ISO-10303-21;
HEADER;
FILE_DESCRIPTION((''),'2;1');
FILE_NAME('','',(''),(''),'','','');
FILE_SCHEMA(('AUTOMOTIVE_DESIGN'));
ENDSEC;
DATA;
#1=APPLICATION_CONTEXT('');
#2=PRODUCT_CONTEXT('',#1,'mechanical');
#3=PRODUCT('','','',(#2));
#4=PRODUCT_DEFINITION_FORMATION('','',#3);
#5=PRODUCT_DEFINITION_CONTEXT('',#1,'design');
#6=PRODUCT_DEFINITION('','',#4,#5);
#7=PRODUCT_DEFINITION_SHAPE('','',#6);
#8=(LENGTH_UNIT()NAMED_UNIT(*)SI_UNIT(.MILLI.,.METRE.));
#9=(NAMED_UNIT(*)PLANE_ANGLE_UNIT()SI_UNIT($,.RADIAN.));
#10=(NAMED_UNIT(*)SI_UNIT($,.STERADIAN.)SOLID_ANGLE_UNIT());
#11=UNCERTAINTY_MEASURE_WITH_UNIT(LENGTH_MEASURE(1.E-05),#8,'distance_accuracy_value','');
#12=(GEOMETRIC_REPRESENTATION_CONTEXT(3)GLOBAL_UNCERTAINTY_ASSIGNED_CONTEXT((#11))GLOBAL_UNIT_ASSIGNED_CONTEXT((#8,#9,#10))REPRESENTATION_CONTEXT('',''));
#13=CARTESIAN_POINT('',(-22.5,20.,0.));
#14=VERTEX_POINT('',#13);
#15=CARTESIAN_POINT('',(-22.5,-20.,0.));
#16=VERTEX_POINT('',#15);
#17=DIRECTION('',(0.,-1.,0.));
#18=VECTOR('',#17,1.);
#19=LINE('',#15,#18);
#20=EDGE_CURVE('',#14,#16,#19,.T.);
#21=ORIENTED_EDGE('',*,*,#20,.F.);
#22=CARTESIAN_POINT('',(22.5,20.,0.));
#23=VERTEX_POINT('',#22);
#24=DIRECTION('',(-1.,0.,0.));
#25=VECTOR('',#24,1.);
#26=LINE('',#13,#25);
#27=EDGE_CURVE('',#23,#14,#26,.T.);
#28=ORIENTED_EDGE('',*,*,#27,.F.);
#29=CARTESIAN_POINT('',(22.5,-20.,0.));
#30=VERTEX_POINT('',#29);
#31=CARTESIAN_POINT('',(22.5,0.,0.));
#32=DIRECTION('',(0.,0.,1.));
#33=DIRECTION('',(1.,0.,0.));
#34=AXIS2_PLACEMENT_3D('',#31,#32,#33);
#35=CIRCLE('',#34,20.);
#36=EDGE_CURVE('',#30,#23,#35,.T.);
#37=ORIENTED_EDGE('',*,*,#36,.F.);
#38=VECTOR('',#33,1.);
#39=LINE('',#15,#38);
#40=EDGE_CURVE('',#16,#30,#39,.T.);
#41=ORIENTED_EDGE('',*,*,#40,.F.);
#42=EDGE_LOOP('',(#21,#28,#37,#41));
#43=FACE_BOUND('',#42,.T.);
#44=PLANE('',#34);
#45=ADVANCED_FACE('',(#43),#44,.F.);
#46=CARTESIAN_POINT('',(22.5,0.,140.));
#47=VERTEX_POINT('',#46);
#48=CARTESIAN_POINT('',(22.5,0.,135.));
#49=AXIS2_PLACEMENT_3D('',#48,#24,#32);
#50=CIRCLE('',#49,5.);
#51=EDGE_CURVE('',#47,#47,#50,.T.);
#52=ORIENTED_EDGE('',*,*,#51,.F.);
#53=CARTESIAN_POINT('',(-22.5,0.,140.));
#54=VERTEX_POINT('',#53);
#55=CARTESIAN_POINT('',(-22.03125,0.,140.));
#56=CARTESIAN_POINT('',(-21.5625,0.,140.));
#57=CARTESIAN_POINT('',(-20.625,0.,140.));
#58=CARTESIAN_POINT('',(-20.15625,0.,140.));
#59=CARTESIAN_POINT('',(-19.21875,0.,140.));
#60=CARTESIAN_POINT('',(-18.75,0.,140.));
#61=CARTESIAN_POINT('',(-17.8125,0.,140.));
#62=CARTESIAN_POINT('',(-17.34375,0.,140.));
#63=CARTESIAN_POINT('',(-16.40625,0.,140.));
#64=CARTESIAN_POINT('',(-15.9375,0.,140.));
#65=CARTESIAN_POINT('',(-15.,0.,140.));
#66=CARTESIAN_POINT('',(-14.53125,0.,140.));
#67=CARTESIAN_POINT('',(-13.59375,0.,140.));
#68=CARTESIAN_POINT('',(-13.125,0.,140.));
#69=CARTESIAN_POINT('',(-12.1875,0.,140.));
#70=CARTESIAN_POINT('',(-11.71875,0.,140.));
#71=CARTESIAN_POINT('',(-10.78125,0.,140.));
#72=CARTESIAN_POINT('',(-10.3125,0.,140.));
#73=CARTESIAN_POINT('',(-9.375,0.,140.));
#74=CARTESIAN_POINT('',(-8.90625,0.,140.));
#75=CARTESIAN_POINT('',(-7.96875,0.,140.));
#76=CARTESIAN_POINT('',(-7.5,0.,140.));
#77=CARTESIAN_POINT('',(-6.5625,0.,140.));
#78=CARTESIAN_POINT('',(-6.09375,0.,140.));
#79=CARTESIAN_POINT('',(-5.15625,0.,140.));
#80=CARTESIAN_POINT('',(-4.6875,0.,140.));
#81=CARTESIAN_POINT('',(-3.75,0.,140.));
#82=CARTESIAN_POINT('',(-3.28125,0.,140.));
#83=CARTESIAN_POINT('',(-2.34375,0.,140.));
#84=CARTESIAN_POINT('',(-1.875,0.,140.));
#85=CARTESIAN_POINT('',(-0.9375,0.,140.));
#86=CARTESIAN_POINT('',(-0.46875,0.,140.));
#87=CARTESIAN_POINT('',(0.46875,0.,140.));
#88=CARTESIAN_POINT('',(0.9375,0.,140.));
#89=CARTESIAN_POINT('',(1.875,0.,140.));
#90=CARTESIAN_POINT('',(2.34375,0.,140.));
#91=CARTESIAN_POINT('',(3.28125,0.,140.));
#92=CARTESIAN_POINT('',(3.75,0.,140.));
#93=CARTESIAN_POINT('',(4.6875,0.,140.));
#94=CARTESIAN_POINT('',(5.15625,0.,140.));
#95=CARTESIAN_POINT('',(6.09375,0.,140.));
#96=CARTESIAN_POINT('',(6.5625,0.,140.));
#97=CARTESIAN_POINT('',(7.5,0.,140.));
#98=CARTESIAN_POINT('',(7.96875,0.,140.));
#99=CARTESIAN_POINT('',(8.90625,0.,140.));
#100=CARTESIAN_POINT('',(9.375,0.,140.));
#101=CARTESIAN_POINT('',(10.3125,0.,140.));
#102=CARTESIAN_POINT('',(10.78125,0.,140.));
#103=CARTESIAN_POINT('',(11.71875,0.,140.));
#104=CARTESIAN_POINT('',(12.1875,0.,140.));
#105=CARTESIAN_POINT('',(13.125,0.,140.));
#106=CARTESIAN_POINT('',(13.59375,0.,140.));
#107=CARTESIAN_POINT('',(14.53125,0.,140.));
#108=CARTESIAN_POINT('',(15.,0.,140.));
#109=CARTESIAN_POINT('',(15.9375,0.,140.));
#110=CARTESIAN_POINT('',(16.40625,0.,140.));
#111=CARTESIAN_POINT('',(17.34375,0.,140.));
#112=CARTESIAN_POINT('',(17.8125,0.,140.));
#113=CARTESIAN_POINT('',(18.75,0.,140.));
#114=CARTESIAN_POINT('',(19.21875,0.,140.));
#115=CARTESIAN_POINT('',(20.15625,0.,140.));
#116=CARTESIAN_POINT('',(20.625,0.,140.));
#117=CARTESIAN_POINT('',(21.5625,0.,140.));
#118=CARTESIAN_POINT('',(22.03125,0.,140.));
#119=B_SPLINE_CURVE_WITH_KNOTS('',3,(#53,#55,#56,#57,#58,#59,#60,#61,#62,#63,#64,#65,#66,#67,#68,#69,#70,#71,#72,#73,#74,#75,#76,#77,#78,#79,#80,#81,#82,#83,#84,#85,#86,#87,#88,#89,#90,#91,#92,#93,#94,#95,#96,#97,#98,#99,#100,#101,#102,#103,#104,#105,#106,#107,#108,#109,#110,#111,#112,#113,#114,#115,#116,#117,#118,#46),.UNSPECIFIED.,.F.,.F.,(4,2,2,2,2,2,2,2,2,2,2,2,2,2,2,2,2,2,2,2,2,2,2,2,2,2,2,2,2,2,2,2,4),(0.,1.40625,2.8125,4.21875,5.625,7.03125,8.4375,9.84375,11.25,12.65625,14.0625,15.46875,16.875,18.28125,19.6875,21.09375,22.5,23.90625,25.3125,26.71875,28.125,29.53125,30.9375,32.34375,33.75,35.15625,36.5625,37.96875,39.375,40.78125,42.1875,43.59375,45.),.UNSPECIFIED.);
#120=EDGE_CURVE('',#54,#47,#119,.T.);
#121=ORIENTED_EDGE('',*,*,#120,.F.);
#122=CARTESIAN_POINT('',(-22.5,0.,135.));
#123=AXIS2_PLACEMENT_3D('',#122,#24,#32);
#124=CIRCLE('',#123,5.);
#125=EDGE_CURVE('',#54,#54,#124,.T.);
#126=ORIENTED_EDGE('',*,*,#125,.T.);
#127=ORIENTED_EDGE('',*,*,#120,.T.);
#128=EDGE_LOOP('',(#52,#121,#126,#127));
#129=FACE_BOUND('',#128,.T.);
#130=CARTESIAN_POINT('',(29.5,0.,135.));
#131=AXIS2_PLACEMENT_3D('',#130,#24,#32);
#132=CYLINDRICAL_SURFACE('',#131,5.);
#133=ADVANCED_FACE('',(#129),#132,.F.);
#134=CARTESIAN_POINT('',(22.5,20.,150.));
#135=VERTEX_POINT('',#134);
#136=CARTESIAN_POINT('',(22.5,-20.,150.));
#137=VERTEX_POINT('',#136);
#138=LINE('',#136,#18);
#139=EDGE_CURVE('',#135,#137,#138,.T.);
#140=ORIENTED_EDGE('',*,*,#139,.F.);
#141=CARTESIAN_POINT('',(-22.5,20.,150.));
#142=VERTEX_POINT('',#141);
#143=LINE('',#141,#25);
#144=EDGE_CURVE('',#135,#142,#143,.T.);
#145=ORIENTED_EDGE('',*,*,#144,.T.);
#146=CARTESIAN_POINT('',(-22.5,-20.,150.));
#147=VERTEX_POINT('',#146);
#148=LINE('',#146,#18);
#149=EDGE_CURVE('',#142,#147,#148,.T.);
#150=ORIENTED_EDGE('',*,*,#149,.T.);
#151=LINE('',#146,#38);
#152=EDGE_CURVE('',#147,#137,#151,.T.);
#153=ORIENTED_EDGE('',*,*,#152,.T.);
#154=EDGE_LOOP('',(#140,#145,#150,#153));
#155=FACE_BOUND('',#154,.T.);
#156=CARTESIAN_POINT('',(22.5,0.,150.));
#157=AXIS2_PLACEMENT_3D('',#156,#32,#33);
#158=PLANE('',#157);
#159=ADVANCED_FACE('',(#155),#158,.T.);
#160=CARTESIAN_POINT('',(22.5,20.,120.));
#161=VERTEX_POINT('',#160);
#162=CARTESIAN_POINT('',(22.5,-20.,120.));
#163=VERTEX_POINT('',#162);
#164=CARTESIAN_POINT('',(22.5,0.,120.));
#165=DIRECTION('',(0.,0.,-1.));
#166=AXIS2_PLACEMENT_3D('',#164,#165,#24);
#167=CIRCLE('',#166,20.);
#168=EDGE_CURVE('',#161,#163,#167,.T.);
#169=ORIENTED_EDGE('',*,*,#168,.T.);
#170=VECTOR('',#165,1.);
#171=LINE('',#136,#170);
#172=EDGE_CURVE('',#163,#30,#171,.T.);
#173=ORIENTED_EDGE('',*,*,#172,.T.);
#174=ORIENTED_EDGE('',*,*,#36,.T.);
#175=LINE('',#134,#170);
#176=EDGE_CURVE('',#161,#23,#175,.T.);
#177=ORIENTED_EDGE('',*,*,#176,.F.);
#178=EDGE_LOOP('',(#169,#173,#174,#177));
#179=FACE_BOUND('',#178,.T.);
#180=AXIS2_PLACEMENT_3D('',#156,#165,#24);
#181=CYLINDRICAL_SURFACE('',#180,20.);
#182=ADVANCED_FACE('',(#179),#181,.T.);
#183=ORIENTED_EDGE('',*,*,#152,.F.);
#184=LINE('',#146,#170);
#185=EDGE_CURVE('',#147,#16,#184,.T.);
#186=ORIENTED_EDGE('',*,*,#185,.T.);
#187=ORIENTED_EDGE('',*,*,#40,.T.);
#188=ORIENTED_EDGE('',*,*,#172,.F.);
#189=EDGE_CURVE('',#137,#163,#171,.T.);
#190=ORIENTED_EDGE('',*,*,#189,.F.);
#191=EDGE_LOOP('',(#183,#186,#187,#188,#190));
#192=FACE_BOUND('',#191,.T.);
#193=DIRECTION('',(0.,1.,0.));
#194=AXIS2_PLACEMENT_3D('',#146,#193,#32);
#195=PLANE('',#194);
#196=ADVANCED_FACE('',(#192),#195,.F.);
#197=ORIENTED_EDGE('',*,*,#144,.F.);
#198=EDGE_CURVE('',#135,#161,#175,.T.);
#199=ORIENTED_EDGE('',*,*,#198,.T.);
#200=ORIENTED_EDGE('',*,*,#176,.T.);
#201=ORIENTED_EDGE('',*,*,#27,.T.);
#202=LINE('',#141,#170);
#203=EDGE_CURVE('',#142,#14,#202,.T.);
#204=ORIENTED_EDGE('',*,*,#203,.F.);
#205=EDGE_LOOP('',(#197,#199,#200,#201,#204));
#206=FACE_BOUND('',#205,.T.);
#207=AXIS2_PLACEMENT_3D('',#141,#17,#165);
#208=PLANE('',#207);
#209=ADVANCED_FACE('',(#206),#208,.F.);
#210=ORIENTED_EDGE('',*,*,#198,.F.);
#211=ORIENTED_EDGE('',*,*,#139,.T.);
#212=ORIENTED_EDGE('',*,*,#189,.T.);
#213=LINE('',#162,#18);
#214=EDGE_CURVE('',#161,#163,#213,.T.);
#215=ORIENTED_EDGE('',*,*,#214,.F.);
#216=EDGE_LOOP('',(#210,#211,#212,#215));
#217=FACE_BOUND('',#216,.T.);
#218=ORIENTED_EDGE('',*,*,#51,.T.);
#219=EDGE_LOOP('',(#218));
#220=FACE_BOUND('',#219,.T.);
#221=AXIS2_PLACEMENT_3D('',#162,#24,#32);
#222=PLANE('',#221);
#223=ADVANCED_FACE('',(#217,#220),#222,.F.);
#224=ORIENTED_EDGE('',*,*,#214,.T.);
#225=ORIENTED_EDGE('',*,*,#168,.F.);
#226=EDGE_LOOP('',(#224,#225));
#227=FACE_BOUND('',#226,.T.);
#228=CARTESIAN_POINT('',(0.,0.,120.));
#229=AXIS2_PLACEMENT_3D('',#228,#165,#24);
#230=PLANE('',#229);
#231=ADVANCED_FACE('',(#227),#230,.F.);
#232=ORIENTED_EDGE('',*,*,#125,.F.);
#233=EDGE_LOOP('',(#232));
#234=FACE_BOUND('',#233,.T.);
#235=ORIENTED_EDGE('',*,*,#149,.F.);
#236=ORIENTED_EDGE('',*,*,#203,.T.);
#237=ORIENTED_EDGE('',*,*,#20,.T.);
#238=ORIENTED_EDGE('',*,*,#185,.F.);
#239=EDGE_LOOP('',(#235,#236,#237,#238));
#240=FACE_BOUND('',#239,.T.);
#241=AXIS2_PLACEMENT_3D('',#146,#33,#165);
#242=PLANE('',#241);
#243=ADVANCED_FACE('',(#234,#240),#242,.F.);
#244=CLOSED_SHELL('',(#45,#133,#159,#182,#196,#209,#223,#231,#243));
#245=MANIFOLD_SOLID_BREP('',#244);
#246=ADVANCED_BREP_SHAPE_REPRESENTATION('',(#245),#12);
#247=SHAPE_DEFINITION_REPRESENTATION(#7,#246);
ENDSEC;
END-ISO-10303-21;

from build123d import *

# Parameters (mm, degrees)
SALIENTE_EXTRUIR1_DEPTH = 150
CROQUIS4_W              = 20
CROQUIS4_H              = 40
CORTAR_EXTRUIR1_DEPTH   = 30
CROQUIS5_R              = 5
CORTAR_EXTRUIR2_DEPTH   = 52


with BuildPart() as part:
    # Croquis1 → Saliente-Extruir1 (new body)
    with BuildSketch(Plane.XY):
        with BuildLine():
            Line((-22.5, -20), (22.5, -20))
            ThreePointArc((22.5, -20), (42.5, 0), (22.5, 20))
            Line((22.5, 20), (-22.5, 20))
            Line((-22.5, 20), (-22.5, -20))
        make_face()
    extrude(amount=SALIENTE_EXTRUIR1_DEPTH)

    # Croquis4 → Cortar-Extruir1 (cut)
    with BuildSketch(Plane.XY.offset(150)):
        with Locations((32.5, 0)):
            Rectangle(CROQUIS4_W, CROQUIS4_H)
    extrude(amount=-CORTAR_EXTRUIR1_DEPTH, mode=Mode.SUBTRACT)

    # Croquis5 → Cortar-Extruir2 (cut)
    with BuildSketch(Plane.ZY.offset(22.5)):
        with Locations((135, 0)):
            Circle(CROQUIS5_R)
    extrude(amount=-CORTAR_EXTRUIR2_DEPTH, mode=Mode.SUBTRACT)


solid = part.part
